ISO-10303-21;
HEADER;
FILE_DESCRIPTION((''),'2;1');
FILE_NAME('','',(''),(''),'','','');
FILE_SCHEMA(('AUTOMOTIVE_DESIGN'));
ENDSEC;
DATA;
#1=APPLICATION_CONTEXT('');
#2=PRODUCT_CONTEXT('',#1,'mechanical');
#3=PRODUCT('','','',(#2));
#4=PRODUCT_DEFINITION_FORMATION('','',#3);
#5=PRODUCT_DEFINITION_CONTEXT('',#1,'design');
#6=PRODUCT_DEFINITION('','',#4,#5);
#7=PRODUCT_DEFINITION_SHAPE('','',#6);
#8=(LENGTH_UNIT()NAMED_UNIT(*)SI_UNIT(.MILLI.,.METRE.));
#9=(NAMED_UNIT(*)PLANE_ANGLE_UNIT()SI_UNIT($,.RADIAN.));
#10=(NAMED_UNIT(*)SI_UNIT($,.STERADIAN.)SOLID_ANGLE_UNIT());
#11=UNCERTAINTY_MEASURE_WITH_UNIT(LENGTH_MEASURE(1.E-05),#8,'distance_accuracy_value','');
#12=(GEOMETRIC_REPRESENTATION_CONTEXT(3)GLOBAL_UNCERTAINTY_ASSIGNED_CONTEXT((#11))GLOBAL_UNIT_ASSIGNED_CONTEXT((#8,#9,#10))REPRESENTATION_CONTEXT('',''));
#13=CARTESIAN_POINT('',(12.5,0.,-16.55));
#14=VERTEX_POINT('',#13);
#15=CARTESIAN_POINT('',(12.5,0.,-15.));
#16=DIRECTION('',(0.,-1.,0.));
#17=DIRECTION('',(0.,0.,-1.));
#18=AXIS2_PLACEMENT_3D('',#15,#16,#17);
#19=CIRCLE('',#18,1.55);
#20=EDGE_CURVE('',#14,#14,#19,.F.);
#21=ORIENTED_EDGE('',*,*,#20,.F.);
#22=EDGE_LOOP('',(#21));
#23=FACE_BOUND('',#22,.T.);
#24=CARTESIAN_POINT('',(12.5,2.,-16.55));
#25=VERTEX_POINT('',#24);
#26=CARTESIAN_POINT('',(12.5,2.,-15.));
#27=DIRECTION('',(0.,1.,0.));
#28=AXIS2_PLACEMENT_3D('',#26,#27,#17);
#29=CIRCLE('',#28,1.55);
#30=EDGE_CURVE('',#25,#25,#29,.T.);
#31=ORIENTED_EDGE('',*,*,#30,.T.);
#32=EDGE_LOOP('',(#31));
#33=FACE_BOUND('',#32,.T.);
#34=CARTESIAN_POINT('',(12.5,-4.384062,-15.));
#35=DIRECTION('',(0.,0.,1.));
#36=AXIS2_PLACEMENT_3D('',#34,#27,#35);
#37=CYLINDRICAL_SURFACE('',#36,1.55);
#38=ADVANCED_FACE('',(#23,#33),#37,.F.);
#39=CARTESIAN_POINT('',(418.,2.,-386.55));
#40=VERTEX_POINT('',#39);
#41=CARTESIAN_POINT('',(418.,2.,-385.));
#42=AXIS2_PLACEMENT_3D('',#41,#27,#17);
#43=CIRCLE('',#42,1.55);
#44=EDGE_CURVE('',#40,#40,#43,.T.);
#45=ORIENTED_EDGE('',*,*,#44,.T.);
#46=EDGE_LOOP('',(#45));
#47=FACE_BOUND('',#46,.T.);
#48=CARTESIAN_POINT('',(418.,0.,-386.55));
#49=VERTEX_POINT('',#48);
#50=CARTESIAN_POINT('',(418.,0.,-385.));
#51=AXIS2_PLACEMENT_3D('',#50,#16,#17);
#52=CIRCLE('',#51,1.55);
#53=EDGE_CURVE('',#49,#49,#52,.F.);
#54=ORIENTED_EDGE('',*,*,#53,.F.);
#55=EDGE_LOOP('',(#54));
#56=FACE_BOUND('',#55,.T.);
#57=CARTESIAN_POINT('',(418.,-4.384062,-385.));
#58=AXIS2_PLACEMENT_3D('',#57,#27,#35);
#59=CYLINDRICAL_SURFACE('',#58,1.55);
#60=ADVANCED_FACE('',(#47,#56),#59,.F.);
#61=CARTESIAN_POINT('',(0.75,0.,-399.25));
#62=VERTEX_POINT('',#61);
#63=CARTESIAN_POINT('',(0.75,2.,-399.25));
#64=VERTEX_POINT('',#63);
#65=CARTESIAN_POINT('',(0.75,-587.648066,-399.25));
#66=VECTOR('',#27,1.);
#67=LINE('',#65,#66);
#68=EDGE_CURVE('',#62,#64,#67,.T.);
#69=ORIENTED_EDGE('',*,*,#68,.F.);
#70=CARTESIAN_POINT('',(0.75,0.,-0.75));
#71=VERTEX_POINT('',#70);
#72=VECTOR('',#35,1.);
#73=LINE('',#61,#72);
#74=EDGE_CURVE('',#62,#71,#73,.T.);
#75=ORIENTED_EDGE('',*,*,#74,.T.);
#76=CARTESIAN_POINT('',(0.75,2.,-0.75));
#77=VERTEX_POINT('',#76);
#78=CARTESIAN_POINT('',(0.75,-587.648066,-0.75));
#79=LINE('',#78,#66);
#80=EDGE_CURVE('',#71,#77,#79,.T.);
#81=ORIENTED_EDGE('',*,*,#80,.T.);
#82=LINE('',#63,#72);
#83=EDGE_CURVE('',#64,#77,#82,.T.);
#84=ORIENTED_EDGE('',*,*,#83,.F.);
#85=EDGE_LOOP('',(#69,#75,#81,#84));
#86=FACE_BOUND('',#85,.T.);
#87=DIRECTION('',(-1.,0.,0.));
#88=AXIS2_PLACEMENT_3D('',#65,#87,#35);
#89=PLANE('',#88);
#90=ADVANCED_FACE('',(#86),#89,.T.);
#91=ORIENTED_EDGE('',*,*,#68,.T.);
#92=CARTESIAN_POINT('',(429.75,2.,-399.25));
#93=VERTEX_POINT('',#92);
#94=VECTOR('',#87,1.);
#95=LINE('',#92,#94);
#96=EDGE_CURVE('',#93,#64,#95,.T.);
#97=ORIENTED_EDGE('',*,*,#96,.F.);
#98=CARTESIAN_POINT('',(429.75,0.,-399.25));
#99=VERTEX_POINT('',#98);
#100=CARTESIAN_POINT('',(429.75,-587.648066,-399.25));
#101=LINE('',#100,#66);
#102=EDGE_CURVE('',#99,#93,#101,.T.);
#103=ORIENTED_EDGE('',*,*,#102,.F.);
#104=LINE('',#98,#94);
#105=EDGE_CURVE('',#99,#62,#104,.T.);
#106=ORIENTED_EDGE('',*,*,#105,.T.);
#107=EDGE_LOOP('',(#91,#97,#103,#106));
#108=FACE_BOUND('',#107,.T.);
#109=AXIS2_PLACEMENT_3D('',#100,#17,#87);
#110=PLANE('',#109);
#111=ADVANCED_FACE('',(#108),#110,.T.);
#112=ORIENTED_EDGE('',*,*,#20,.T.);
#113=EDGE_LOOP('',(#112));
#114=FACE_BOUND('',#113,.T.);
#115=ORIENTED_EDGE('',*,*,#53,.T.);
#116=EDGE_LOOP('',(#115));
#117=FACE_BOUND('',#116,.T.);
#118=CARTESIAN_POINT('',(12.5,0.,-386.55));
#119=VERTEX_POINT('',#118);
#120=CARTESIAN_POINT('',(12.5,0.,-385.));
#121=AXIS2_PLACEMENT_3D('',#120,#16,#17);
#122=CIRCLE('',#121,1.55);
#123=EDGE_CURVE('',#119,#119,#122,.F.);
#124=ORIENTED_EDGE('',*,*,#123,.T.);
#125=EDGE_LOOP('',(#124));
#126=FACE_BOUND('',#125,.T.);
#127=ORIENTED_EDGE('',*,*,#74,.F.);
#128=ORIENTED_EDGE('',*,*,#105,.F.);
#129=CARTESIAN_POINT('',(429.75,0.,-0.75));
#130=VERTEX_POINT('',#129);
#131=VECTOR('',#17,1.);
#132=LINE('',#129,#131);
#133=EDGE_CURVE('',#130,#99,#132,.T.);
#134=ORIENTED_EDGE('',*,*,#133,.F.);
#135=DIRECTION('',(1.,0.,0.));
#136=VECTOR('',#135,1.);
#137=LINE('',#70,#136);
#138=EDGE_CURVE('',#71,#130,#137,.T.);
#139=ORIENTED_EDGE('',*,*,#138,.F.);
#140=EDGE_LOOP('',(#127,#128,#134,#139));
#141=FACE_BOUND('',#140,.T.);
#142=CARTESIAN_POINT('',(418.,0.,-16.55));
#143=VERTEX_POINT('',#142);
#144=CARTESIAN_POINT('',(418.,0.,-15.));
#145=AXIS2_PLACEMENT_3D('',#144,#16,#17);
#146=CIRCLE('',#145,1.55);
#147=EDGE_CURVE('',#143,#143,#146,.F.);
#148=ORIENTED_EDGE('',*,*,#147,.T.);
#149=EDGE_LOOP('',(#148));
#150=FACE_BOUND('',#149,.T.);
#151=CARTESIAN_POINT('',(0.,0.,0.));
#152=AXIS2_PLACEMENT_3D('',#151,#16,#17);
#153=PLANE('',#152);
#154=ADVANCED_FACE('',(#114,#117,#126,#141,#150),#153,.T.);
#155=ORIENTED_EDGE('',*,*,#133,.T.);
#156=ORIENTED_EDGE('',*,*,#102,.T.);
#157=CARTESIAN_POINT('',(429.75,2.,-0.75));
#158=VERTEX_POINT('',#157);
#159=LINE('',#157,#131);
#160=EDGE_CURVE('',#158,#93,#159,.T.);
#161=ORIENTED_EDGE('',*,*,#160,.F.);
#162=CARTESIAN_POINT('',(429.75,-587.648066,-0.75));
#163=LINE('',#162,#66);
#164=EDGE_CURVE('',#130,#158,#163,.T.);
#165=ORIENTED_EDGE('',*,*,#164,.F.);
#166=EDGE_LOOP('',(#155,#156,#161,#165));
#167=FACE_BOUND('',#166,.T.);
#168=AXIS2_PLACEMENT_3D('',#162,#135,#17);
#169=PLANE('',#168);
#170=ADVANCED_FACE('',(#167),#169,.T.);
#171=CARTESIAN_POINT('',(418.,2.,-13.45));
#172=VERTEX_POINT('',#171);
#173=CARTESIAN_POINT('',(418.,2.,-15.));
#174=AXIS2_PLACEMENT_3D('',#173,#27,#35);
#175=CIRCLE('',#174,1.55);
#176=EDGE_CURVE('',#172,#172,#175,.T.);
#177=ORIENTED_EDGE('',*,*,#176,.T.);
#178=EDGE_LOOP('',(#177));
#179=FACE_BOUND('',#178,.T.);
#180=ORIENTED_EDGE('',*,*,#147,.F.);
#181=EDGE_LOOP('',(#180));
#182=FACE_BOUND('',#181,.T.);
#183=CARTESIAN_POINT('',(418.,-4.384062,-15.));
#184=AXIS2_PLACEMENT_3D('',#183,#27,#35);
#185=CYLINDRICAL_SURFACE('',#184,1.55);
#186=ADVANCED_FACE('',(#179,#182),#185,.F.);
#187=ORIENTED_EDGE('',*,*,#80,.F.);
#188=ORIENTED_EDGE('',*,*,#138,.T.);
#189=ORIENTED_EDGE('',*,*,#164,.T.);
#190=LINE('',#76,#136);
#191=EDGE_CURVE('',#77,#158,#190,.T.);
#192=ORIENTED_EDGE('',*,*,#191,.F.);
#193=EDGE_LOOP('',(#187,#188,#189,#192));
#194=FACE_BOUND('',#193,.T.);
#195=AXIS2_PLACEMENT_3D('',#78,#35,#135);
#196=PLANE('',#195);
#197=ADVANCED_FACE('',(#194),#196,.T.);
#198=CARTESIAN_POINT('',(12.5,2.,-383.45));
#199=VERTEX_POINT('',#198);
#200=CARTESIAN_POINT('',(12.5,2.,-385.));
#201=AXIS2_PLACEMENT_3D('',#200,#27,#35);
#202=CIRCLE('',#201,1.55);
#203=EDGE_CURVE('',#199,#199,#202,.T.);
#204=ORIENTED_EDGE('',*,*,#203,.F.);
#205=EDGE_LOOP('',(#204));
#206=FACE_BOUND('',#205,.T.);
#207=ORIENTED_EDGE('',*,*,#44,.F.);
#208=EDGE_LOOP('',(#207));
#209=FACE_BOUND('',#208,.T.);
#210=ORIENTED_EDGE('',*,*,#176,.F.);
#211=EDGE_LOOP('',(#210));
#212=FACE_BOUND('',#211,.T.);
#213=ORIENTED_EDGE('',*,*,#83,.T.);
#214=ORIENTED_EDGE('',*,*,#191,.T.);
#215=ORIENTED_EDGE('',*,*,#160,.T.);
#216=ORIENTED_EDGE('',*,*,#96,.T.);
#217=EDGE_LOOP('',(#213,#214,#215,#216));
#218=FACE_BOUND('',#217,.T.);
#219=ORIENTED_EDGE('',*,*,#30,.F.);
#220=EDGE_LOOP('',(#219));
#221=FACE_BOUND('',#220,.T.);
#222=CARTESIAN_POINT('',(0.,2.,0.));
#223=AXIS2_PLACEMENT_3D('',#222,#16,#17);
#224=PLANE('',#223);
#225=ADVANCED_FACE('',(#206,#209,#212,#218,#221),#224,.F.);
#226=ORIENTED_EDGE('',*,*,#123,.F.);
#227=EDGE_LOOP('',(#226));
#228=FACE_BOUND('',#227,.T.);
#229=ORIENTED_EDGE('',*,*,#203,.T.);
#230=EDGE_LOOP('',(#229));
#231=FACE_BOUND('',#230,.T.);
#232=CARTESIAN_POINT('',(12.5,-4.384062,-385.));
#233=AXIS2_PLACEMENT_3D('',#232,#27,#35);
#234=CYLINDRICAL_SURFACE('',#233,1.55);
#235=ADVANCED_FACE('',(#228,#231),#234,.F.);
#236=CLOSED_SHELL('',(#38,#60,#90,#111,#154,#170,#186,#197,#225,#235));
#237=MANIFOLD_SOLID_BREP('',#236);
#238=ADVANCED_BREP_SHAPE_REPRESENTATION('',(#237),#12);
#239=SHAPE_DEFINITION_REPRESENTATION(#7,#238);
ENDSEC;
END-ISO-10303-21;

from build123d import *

# Parameters (mm, degrees)
CROQUIS1_W              = 430.5
CROQUIS1_H              = 400
SALIENTE_EXTRUIR1_DEPTH = 2
CROQUIS2_R              = 1.55
CORTAR_EXTRUIR1_DEPTH   = 2
CROQUIS3_W              = 430.5
CROQUIS3_H              = 400
CROQUIS3_W_2            = 429
CROQUIS3_H_2            = 398.5
CORTAR_EXTRUIR2_DEPTH   = 2


with BuildPart() as part:
    # Croquis1 → Saliente-Extruir1 (new body)
    with BuildSketch(Plane(origin=(0, 0, 0), x_dir=(1, 0, 0), z_dir=(0, 1, 0))):
        with Locations((215.25, 200)):
            Rectangle(CROQUIS1_W, CROQUIS1_H)
    extrude(amount=SALIENTE_EXTRUIR1_DEPTH)

    # Croquis2 → Cortar-Extruir1 (cut)
    with BuildSketch(Plane(origin=(0, 2, 0), x_dir=(1, 0, 0), z_dir=(0, 1, 0))):
        with Locations(Location((12.5, 385, 0), (0, 0, 270))):
            Circle(CROQUIS2_R)
        with Locations(Location((418, 385, 0), (0, 0, 90))):
            Circle(CROQUIS2_R)
        with Locations(Location((418, 15, 0), (0, 0, 270))):
            Circle(CROQUIS2_R)
        with Locations(Location((12.5, 15, 0), (0, 0, 90))):
            Circle(CROQUIS2_R)
    extrude(amount=-CORTAR_EXTRUIR1_DEPTH, mode=Mode.SUBTRACT)

    # Croquis3 → Cortar-Extruir2 (cut)
    with BuildSketch(Plane(origin=(0, 2, 0), x_dir=(1, 0, 0), z_dir=(0, 1, 0))):
        with Locations((215.25, 200)):
            Rectangle(CROQUIS3_W, CROQUIS3_H)
        with Locations((215.25, 200)):
            Rectangle(CROQUIS3_W_2, CROQUIS3_H_2, mode=Mode.SUBTRACT)
    extrude(amount=-CORTAR_EXTRUIR2_DEPTH, mode=Mode.SUBTRACT)


solid = part.part
